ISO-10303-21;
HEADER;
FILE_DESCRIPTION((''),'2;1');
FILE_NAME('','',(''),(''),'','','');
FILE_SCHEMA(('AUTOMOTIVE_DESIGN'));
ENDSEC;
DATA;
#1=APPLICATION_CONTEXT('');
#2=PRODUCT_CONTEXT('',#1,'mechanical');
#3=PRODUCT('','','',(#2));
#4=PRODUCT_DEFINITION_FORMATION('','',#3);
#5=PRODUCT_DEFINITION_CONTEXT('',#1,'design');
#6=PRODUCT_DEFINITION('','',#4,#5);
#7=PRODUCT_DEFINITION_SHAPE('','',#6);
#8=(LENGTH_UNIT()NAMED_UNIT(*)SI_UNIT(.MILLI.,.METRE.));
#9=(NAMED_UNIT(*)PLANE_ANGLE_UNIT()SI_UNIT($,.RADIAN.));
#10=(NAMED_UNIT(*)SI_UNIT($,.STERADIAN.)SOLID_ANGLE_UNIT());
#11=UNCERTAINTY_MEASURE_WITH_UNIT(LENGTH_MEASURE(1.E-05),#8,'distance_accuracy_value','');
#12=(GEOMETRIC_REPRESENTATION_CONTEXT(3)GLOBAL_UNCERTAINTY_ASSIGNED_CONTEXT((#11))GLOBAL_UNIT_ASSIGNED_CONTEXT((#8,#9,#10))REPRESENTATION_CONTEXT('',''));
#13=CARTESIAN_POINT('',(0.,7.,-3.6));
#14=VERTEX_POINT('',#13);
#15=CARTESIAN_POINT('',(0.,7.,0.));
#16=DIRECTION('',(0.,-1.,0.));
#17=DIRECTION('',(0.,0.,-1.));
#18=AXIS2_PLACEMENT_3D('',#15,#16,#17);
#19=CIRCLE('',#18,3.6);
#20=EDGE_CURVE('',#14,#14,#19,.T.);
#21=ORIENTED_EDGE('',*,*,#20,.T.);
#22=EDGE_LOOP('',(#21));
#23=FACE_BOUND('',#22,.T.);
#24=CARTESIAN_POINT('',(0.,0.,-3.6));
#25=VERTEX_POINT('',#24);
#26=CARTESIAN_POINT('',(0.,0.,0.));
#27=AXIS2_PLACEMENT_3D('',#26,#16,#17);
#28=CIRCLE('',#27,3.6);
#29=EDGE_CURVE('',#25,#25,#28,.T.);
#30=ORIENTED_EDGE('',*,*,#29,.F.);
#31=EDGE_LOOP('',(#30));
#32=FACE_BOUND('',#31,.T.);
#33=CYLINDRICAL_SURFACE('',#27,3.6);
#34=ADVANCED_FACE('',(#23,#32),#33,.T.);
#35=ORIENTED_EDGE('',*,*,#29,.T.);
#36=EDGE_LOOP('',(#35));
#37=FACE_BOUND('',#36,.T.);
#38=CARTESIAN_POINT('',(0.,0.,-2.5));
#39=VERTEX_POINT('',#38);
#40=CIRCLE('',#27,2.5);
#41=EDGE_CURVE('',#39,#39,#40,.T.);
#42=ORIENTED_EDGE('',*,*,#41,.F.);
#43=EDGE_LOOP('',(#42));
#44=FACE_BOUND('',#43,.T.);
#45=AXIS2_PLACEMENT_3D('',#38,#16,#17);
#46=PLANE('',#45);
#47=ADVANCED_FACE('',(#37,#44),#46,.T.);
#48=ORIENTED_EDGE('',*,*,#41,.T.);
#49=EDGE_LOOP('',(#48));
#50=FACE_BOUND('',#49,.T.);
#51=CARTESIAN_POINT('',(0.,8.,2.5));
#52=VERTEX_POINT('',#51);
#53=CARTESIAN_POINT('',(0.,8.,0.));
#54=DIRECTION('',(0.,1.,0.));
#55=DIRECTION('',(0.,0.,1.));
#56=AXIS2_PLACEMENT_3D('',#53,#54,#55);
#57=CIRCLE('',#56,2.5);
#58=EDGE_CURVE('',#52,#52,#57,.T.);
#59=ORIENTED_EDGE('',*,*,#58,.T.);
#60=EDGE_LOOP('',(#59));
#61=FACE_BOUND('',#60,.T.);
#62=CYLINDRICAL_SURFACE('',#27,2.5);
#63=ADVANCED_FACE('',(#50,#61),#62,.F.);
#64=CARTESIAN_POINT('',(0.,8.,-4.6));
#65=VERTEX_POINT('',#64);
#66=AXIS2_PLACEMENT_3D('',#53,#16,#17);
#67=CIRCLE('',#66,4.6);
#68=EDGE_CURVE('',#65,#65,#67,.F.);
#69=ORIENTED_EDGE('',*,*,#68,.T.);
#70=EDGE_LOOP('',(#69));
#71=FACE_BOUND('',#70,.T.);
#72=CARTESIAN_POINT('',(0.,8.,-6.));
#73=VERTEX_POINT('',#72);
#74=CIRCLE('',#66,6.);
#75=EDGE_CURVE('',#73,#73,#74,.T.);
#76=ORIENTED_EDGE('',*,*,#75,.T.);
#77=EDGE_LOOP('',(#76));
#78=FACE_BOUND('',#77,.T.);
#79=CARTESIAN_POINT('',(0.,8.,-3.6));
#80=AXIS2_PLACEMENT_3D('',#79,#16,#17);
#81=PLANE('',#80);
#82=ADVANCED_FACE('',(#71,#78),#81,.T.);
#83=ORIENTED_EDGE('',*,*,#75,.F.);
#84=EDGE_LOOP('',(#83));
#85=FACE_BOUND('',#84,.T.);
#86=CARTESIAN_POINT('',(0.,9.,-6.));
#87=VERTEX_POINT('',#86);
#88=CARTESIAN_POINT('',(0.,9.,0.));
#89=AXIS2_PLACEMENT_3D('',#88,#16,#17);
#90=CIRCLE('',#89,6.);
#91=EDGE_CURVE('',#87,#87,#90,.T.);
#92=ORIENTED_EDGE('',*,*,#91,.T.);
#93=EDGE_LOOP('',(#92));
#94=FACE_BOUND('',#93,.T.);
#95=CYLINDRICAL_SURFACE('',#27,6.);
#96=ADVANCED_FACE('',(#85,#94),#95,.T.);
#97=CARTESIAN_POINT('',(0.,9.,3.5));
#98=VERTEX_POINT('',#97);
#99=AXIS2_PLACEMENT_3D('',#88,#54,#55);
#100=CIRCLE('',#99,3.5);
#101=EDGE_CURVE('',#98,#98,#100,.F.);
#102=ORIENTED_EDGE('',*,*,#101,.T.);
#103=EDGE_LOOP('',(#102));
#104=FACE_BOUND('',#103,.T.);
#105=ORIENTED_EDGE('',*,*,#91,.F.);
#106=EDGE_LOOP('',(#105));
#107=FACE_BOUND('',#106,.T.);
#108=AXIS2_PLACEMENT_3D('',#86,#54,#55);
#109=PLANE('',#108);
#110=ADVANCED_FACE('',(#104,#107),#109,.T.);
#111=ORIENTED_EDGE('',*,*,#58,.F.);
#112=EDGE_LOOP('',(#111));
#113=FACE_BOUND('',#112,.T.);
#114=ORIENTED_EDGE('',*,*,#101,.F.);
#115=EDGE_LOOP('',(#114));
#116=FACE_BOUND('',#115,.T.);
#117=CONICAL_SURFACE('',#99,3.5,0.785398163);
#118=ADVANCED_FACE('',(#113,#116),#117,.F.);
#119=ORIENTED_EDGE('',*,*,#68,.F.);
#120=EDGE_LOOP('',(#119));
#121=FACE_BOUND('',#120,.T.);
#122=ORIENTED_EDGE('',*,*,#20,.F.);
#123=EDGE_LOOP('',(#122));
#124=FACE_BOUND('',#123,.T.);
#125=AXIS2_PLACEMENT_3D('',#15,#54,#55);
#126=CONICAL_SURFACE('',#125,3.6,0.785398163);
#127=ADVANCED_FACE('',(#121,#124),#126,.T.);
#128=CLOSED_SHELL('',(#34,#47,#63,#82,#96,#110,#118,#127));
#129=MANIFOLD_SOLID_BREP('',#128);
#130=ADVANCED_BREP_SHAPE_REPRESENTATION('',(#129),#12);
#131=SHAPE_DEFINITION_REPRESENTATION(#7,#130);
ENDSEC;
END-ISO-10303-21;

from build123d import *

# Parameters (mm, degrees)
CHAMFER1_SIZE = 1
CHAMFER2_SIZE = 1


with BuildPart() as part:
    # Sketch1 → Revolve1 (revolve)
    with BuildSketch(Plane(origin=(0, 0, 0), x_dir=(0, 0, -1), z_dir=(1, 0, 0))):
        Polygon((2.5, 9), (2.5, 0), (3.6, 0), (3.6, 8), (6, 8), (6, 9), align=None)
    revolve(axis=Axis((0, 0, 0), (0, 1, 0)))

    # Chamfer1
    chamfer1_edges = [part.edges().sort_by_distance(p)[0] for p in [
        (0, 8, 3.6),
    ]]
    chamfer(chamfer1_edges, length=CHAMFER1_SIZE)

    # Chamfer2
    chamfer2_edges = [part.edges().sort_by_distance(p)[0] for p in [
        (0, 9, 2.5),
    ]]
    chamfer(chamfer2_edges, length=CHAMFER2_SIZE)


solid = part.part
